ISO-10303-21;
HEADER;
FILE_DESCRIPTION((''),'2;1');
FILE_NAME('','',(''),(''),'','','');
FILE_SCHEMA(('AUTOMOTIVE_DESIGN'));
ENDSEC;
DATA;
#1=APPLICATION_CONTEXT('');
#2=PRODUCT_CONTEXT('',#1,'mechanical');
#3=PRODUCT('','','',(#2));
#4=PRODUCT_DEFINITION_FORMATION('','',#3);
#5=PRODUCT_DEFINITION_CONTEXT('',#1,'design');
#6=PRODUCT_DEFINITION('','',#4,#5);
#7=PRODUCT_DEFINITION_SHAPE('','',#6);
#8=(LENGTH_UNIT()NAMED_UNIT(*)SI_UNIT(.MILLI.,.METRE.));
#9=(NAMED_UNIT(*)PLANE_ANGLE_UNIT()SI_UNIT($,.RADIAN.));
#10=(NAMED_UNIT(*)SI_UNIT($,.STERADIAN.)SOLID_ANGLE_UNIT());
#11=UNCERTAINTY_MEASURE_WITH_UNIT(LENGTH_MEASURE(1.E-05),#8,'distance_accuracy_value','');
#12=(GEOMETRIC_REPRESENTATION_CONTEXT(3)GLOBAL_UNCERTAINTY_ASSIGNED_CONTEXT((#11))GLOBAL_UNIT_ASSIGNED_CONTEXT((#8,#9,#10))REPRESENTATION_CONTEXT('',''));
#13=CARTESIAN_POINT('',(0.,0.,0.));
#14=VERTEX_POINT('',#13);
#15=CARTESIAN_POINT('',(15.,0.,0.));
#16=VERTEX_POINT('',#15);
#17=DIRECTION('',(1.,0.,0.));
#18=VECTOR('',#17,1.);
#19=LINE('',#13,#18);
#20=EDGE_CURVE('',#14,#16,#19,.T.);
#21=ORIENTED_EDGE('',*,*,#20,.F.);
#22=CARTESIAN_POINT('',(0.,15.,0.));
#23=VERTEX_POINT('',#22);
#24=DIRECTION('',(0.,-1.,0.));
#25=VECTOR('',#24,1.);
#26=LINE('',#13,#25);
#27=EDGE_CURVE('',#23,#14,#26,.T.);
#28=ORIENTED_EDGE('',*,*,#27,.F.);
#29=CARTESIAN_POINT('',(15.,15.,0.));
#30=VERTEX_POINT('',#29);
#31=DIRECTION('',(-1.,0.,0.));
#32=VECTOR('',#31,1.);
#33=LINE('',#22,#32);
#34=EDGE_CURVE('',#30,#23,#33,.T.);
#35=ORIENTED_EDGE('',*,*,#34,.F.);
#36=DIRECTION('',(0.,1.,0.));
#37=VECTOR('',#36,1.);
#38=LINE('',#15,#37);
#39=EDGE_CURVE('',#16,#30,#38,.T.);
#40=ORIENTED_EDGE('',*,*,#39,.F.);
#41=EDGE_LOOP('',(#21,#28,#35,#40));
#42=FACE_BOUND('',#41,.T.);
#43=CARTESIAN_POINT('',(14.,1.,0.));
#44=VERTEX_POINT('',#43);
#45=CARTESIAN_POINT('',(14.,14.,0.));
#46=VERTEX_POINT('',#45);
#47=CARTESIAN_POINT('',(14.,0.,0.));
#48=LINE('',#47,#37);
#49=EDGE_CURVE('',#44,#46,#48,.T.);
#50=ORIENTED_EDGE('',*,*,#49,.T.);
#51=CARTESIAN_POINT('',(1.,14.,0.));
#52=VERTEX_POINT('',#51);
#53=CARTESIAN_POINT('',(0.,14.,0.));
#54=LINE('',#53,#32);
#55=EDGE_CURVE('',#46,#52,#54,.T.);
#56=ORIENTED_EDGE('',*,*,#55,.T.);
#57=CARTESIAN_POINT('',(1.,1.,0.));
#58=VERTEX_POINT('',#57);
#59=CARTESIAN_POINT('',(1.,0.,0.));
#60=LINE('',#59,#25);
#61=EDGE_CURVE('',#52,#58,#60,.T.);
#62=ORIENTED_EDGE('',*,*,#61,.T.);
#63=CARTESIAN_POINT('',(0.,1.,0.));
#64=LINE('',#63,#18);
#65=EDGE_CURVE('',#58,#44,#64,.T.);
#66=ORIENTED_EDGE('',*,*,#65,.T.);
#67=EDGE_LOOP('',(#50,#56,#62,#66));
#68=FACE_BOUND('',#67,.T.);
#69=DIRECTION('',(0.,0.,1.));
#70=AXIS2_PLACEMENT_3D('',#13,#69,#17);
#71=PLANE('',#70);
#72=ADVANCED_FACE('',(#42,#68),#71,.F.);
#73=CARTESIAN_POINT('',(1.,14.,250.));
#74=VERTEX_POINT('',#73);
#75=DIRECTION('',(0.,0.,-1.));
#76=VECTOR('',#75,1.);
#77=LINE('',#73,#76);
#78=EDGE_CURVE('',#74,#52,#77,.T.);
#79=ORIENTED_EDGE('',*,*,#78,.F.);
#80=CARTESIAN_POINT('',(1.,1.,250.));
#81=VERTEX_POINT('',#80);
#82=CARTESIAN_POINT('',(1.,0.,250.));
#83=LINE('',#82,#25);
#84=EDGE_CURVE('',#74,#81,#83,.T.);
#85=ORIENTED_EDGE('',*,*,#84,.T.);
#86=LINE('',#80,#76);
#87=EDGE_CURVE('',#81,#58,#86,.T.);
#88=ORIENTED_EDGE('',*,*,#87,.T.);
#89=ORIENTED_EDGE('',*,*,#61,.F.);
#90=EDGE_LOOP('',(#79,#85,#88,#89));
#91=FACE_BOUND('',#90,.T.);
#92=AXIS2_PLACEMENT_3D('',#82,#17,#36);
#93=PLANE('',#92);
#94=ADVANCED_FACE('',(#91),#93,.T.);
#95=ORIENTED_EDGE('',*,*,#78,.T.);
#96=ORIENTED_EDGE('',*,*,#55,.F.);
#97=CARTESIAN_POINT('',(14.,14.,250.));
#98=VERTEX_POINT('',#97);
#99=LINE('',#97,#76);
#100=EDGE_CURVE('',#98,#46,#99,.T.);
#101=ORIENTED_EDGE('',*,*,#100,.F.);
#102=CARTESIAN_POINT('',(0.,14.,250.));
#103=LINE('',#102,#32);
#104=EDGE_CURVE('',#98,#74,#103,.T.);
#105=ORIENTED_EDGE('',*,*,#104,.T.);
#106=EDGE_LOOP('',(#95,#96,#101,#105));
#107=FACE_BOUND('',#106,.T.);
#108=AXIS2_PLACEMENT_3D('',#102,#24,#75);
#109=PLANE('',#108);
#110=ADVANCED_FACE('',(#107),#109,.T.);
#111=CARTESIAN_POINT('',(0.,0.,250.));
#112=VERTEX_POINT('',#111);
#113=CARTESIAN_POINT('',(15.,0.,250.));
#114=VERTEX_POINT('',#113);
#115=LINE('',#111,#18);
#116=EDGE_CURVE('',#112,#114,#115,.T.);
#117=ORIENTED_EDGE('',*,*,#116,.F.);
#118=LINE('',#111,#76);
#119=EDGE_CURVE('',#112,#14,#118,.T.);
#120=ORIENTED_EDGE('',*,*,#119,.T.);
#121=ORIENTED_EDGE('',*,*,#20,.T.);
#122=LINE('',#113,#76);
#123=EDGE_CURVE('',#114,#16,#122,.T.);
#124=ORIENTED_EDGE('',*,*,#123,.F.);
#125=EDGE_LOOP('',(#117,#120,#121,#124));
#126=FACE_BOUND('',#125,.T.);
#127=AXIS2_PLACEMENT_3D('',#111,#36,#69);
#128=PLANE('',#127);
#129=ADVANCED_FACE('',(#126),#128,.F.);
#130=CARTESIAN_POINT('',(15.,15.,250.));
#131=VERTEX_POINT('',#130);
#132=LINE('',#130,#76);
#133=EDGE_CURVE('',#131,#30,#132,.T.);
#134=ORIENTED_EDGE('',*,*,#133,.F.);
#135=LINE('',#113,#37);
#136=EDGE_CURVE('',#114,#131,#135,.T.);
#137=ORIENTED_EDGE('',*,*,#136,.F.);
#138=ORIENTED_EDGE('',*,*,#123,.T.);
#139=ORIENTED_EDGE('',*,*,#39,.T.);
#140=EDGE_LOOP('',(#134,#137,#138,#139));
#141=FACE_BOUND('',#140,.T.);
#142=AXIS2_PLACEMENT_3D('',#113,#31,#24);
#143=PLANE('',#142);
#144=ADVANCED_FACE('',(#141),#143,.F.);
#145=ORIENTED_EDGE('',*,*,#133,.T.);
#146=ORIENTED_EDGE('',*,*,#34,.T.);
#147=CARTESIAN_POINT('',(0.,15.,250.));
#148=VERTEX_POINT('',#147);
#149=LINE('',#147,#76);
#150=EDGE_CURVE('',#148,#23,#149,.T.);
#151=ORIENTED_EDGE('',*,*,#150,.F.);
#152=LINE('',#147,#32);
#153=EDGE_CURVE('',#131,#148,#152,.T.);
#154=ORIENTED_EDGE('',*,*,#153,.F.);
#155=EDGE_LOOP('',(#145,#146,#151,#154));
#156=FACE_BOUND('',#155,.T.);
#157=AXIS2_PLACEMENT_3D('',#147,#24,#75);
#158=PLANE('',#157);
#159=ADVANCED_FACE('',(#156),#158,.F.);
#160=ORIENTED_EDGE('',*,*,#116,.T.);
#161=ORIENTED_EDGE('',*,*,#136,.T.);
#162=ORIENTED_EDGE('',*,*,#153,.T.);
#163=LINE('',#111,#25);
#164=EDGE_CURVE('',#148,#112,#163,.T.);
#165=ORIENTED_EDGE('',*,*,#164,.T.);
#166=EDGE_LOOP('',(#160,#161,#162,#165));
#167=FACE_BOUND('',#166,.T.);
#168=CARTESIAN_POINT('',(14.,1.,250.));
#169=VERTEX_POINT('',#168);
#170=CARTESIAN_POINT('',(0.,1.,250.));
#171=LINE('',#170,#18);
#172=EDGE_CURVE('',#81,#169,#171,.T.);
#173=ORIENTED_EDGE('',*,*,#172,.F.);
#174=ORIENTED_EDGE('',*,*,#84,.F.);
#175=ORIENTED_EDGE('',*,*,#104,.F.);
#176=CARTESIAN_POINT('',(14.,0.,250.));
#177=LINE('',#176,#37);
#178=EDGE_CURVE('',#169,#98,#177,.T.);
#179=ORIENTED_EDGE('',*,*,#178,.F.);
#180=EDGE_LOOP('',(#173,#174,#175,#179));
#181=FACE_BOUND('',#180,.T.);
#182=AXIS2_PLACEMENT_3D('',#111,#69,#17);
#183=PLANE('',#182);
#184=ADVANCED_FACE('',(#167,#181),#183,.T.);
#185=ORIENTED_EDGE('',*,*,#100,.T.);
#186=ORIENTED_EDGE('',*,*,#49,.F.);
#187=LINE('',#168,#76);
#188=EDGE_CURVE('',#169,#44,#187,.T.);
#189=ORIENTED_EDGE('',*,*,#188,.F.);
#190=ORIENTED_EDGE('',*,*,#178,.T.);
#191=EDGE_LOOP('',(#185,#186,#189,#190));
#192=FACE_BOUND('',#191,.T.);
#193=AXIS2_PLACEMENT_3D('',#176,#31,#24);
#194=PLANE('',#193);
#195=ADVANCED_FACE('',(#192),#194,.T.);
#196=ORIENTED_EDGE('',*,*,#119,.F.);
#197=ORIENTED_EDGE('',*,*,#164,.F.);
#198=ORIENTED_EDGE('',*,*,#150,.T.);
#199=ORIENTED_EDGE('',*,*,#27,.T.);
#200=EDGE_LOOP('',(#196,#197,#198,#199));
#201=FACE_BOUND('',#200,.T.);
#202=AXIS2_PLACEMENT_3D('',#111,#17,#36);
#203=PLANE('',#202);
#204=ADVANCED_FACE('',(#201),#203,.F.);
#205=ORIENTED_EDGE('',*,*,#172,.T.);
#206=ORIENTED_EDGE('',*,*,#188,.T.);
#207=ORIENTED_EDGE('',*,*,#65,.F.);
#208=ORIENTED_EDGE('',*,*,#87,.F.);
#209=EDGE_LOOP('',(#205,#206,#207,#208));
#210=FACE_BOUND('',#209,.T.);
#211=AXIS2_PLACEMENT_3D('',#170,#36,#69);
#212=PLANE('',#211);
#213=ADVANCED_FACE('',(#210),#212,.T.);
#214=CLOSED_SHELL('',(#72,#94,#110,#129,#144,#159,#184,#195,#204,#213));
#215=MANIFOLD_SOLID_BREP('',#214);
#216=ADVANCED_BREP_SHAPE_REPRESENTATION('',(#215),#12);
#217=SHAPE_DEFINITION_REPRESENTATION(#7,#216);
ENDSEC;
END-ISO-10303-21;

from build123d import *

# Parameters (mm, degrees)
SKETCH3_W           = 15
SKETCH3_H           = 15
SKETCH3_W_2         = 13
SKETCH3_H_2         = 13
EXTRUDE_THIN1_DEPTH = 250


with BuildPart() as part:
    # Sketch3 → Extrude-Thin1 (new body)
    with BuildSketch(Plane.XY):
        with Locations((7.5, 7.5)):
            Rectangle(SKETCH3_W, SKETCH3_H)
        with Locations((7.5, 7.5)):
            Rectangle(SKETCH3_W_2, SKETCH3_H_2, mode=Mode.SUBTRACT)
    extrude(amount=EXTRUDE_THIN1_DEPTH)


solid = part.part
